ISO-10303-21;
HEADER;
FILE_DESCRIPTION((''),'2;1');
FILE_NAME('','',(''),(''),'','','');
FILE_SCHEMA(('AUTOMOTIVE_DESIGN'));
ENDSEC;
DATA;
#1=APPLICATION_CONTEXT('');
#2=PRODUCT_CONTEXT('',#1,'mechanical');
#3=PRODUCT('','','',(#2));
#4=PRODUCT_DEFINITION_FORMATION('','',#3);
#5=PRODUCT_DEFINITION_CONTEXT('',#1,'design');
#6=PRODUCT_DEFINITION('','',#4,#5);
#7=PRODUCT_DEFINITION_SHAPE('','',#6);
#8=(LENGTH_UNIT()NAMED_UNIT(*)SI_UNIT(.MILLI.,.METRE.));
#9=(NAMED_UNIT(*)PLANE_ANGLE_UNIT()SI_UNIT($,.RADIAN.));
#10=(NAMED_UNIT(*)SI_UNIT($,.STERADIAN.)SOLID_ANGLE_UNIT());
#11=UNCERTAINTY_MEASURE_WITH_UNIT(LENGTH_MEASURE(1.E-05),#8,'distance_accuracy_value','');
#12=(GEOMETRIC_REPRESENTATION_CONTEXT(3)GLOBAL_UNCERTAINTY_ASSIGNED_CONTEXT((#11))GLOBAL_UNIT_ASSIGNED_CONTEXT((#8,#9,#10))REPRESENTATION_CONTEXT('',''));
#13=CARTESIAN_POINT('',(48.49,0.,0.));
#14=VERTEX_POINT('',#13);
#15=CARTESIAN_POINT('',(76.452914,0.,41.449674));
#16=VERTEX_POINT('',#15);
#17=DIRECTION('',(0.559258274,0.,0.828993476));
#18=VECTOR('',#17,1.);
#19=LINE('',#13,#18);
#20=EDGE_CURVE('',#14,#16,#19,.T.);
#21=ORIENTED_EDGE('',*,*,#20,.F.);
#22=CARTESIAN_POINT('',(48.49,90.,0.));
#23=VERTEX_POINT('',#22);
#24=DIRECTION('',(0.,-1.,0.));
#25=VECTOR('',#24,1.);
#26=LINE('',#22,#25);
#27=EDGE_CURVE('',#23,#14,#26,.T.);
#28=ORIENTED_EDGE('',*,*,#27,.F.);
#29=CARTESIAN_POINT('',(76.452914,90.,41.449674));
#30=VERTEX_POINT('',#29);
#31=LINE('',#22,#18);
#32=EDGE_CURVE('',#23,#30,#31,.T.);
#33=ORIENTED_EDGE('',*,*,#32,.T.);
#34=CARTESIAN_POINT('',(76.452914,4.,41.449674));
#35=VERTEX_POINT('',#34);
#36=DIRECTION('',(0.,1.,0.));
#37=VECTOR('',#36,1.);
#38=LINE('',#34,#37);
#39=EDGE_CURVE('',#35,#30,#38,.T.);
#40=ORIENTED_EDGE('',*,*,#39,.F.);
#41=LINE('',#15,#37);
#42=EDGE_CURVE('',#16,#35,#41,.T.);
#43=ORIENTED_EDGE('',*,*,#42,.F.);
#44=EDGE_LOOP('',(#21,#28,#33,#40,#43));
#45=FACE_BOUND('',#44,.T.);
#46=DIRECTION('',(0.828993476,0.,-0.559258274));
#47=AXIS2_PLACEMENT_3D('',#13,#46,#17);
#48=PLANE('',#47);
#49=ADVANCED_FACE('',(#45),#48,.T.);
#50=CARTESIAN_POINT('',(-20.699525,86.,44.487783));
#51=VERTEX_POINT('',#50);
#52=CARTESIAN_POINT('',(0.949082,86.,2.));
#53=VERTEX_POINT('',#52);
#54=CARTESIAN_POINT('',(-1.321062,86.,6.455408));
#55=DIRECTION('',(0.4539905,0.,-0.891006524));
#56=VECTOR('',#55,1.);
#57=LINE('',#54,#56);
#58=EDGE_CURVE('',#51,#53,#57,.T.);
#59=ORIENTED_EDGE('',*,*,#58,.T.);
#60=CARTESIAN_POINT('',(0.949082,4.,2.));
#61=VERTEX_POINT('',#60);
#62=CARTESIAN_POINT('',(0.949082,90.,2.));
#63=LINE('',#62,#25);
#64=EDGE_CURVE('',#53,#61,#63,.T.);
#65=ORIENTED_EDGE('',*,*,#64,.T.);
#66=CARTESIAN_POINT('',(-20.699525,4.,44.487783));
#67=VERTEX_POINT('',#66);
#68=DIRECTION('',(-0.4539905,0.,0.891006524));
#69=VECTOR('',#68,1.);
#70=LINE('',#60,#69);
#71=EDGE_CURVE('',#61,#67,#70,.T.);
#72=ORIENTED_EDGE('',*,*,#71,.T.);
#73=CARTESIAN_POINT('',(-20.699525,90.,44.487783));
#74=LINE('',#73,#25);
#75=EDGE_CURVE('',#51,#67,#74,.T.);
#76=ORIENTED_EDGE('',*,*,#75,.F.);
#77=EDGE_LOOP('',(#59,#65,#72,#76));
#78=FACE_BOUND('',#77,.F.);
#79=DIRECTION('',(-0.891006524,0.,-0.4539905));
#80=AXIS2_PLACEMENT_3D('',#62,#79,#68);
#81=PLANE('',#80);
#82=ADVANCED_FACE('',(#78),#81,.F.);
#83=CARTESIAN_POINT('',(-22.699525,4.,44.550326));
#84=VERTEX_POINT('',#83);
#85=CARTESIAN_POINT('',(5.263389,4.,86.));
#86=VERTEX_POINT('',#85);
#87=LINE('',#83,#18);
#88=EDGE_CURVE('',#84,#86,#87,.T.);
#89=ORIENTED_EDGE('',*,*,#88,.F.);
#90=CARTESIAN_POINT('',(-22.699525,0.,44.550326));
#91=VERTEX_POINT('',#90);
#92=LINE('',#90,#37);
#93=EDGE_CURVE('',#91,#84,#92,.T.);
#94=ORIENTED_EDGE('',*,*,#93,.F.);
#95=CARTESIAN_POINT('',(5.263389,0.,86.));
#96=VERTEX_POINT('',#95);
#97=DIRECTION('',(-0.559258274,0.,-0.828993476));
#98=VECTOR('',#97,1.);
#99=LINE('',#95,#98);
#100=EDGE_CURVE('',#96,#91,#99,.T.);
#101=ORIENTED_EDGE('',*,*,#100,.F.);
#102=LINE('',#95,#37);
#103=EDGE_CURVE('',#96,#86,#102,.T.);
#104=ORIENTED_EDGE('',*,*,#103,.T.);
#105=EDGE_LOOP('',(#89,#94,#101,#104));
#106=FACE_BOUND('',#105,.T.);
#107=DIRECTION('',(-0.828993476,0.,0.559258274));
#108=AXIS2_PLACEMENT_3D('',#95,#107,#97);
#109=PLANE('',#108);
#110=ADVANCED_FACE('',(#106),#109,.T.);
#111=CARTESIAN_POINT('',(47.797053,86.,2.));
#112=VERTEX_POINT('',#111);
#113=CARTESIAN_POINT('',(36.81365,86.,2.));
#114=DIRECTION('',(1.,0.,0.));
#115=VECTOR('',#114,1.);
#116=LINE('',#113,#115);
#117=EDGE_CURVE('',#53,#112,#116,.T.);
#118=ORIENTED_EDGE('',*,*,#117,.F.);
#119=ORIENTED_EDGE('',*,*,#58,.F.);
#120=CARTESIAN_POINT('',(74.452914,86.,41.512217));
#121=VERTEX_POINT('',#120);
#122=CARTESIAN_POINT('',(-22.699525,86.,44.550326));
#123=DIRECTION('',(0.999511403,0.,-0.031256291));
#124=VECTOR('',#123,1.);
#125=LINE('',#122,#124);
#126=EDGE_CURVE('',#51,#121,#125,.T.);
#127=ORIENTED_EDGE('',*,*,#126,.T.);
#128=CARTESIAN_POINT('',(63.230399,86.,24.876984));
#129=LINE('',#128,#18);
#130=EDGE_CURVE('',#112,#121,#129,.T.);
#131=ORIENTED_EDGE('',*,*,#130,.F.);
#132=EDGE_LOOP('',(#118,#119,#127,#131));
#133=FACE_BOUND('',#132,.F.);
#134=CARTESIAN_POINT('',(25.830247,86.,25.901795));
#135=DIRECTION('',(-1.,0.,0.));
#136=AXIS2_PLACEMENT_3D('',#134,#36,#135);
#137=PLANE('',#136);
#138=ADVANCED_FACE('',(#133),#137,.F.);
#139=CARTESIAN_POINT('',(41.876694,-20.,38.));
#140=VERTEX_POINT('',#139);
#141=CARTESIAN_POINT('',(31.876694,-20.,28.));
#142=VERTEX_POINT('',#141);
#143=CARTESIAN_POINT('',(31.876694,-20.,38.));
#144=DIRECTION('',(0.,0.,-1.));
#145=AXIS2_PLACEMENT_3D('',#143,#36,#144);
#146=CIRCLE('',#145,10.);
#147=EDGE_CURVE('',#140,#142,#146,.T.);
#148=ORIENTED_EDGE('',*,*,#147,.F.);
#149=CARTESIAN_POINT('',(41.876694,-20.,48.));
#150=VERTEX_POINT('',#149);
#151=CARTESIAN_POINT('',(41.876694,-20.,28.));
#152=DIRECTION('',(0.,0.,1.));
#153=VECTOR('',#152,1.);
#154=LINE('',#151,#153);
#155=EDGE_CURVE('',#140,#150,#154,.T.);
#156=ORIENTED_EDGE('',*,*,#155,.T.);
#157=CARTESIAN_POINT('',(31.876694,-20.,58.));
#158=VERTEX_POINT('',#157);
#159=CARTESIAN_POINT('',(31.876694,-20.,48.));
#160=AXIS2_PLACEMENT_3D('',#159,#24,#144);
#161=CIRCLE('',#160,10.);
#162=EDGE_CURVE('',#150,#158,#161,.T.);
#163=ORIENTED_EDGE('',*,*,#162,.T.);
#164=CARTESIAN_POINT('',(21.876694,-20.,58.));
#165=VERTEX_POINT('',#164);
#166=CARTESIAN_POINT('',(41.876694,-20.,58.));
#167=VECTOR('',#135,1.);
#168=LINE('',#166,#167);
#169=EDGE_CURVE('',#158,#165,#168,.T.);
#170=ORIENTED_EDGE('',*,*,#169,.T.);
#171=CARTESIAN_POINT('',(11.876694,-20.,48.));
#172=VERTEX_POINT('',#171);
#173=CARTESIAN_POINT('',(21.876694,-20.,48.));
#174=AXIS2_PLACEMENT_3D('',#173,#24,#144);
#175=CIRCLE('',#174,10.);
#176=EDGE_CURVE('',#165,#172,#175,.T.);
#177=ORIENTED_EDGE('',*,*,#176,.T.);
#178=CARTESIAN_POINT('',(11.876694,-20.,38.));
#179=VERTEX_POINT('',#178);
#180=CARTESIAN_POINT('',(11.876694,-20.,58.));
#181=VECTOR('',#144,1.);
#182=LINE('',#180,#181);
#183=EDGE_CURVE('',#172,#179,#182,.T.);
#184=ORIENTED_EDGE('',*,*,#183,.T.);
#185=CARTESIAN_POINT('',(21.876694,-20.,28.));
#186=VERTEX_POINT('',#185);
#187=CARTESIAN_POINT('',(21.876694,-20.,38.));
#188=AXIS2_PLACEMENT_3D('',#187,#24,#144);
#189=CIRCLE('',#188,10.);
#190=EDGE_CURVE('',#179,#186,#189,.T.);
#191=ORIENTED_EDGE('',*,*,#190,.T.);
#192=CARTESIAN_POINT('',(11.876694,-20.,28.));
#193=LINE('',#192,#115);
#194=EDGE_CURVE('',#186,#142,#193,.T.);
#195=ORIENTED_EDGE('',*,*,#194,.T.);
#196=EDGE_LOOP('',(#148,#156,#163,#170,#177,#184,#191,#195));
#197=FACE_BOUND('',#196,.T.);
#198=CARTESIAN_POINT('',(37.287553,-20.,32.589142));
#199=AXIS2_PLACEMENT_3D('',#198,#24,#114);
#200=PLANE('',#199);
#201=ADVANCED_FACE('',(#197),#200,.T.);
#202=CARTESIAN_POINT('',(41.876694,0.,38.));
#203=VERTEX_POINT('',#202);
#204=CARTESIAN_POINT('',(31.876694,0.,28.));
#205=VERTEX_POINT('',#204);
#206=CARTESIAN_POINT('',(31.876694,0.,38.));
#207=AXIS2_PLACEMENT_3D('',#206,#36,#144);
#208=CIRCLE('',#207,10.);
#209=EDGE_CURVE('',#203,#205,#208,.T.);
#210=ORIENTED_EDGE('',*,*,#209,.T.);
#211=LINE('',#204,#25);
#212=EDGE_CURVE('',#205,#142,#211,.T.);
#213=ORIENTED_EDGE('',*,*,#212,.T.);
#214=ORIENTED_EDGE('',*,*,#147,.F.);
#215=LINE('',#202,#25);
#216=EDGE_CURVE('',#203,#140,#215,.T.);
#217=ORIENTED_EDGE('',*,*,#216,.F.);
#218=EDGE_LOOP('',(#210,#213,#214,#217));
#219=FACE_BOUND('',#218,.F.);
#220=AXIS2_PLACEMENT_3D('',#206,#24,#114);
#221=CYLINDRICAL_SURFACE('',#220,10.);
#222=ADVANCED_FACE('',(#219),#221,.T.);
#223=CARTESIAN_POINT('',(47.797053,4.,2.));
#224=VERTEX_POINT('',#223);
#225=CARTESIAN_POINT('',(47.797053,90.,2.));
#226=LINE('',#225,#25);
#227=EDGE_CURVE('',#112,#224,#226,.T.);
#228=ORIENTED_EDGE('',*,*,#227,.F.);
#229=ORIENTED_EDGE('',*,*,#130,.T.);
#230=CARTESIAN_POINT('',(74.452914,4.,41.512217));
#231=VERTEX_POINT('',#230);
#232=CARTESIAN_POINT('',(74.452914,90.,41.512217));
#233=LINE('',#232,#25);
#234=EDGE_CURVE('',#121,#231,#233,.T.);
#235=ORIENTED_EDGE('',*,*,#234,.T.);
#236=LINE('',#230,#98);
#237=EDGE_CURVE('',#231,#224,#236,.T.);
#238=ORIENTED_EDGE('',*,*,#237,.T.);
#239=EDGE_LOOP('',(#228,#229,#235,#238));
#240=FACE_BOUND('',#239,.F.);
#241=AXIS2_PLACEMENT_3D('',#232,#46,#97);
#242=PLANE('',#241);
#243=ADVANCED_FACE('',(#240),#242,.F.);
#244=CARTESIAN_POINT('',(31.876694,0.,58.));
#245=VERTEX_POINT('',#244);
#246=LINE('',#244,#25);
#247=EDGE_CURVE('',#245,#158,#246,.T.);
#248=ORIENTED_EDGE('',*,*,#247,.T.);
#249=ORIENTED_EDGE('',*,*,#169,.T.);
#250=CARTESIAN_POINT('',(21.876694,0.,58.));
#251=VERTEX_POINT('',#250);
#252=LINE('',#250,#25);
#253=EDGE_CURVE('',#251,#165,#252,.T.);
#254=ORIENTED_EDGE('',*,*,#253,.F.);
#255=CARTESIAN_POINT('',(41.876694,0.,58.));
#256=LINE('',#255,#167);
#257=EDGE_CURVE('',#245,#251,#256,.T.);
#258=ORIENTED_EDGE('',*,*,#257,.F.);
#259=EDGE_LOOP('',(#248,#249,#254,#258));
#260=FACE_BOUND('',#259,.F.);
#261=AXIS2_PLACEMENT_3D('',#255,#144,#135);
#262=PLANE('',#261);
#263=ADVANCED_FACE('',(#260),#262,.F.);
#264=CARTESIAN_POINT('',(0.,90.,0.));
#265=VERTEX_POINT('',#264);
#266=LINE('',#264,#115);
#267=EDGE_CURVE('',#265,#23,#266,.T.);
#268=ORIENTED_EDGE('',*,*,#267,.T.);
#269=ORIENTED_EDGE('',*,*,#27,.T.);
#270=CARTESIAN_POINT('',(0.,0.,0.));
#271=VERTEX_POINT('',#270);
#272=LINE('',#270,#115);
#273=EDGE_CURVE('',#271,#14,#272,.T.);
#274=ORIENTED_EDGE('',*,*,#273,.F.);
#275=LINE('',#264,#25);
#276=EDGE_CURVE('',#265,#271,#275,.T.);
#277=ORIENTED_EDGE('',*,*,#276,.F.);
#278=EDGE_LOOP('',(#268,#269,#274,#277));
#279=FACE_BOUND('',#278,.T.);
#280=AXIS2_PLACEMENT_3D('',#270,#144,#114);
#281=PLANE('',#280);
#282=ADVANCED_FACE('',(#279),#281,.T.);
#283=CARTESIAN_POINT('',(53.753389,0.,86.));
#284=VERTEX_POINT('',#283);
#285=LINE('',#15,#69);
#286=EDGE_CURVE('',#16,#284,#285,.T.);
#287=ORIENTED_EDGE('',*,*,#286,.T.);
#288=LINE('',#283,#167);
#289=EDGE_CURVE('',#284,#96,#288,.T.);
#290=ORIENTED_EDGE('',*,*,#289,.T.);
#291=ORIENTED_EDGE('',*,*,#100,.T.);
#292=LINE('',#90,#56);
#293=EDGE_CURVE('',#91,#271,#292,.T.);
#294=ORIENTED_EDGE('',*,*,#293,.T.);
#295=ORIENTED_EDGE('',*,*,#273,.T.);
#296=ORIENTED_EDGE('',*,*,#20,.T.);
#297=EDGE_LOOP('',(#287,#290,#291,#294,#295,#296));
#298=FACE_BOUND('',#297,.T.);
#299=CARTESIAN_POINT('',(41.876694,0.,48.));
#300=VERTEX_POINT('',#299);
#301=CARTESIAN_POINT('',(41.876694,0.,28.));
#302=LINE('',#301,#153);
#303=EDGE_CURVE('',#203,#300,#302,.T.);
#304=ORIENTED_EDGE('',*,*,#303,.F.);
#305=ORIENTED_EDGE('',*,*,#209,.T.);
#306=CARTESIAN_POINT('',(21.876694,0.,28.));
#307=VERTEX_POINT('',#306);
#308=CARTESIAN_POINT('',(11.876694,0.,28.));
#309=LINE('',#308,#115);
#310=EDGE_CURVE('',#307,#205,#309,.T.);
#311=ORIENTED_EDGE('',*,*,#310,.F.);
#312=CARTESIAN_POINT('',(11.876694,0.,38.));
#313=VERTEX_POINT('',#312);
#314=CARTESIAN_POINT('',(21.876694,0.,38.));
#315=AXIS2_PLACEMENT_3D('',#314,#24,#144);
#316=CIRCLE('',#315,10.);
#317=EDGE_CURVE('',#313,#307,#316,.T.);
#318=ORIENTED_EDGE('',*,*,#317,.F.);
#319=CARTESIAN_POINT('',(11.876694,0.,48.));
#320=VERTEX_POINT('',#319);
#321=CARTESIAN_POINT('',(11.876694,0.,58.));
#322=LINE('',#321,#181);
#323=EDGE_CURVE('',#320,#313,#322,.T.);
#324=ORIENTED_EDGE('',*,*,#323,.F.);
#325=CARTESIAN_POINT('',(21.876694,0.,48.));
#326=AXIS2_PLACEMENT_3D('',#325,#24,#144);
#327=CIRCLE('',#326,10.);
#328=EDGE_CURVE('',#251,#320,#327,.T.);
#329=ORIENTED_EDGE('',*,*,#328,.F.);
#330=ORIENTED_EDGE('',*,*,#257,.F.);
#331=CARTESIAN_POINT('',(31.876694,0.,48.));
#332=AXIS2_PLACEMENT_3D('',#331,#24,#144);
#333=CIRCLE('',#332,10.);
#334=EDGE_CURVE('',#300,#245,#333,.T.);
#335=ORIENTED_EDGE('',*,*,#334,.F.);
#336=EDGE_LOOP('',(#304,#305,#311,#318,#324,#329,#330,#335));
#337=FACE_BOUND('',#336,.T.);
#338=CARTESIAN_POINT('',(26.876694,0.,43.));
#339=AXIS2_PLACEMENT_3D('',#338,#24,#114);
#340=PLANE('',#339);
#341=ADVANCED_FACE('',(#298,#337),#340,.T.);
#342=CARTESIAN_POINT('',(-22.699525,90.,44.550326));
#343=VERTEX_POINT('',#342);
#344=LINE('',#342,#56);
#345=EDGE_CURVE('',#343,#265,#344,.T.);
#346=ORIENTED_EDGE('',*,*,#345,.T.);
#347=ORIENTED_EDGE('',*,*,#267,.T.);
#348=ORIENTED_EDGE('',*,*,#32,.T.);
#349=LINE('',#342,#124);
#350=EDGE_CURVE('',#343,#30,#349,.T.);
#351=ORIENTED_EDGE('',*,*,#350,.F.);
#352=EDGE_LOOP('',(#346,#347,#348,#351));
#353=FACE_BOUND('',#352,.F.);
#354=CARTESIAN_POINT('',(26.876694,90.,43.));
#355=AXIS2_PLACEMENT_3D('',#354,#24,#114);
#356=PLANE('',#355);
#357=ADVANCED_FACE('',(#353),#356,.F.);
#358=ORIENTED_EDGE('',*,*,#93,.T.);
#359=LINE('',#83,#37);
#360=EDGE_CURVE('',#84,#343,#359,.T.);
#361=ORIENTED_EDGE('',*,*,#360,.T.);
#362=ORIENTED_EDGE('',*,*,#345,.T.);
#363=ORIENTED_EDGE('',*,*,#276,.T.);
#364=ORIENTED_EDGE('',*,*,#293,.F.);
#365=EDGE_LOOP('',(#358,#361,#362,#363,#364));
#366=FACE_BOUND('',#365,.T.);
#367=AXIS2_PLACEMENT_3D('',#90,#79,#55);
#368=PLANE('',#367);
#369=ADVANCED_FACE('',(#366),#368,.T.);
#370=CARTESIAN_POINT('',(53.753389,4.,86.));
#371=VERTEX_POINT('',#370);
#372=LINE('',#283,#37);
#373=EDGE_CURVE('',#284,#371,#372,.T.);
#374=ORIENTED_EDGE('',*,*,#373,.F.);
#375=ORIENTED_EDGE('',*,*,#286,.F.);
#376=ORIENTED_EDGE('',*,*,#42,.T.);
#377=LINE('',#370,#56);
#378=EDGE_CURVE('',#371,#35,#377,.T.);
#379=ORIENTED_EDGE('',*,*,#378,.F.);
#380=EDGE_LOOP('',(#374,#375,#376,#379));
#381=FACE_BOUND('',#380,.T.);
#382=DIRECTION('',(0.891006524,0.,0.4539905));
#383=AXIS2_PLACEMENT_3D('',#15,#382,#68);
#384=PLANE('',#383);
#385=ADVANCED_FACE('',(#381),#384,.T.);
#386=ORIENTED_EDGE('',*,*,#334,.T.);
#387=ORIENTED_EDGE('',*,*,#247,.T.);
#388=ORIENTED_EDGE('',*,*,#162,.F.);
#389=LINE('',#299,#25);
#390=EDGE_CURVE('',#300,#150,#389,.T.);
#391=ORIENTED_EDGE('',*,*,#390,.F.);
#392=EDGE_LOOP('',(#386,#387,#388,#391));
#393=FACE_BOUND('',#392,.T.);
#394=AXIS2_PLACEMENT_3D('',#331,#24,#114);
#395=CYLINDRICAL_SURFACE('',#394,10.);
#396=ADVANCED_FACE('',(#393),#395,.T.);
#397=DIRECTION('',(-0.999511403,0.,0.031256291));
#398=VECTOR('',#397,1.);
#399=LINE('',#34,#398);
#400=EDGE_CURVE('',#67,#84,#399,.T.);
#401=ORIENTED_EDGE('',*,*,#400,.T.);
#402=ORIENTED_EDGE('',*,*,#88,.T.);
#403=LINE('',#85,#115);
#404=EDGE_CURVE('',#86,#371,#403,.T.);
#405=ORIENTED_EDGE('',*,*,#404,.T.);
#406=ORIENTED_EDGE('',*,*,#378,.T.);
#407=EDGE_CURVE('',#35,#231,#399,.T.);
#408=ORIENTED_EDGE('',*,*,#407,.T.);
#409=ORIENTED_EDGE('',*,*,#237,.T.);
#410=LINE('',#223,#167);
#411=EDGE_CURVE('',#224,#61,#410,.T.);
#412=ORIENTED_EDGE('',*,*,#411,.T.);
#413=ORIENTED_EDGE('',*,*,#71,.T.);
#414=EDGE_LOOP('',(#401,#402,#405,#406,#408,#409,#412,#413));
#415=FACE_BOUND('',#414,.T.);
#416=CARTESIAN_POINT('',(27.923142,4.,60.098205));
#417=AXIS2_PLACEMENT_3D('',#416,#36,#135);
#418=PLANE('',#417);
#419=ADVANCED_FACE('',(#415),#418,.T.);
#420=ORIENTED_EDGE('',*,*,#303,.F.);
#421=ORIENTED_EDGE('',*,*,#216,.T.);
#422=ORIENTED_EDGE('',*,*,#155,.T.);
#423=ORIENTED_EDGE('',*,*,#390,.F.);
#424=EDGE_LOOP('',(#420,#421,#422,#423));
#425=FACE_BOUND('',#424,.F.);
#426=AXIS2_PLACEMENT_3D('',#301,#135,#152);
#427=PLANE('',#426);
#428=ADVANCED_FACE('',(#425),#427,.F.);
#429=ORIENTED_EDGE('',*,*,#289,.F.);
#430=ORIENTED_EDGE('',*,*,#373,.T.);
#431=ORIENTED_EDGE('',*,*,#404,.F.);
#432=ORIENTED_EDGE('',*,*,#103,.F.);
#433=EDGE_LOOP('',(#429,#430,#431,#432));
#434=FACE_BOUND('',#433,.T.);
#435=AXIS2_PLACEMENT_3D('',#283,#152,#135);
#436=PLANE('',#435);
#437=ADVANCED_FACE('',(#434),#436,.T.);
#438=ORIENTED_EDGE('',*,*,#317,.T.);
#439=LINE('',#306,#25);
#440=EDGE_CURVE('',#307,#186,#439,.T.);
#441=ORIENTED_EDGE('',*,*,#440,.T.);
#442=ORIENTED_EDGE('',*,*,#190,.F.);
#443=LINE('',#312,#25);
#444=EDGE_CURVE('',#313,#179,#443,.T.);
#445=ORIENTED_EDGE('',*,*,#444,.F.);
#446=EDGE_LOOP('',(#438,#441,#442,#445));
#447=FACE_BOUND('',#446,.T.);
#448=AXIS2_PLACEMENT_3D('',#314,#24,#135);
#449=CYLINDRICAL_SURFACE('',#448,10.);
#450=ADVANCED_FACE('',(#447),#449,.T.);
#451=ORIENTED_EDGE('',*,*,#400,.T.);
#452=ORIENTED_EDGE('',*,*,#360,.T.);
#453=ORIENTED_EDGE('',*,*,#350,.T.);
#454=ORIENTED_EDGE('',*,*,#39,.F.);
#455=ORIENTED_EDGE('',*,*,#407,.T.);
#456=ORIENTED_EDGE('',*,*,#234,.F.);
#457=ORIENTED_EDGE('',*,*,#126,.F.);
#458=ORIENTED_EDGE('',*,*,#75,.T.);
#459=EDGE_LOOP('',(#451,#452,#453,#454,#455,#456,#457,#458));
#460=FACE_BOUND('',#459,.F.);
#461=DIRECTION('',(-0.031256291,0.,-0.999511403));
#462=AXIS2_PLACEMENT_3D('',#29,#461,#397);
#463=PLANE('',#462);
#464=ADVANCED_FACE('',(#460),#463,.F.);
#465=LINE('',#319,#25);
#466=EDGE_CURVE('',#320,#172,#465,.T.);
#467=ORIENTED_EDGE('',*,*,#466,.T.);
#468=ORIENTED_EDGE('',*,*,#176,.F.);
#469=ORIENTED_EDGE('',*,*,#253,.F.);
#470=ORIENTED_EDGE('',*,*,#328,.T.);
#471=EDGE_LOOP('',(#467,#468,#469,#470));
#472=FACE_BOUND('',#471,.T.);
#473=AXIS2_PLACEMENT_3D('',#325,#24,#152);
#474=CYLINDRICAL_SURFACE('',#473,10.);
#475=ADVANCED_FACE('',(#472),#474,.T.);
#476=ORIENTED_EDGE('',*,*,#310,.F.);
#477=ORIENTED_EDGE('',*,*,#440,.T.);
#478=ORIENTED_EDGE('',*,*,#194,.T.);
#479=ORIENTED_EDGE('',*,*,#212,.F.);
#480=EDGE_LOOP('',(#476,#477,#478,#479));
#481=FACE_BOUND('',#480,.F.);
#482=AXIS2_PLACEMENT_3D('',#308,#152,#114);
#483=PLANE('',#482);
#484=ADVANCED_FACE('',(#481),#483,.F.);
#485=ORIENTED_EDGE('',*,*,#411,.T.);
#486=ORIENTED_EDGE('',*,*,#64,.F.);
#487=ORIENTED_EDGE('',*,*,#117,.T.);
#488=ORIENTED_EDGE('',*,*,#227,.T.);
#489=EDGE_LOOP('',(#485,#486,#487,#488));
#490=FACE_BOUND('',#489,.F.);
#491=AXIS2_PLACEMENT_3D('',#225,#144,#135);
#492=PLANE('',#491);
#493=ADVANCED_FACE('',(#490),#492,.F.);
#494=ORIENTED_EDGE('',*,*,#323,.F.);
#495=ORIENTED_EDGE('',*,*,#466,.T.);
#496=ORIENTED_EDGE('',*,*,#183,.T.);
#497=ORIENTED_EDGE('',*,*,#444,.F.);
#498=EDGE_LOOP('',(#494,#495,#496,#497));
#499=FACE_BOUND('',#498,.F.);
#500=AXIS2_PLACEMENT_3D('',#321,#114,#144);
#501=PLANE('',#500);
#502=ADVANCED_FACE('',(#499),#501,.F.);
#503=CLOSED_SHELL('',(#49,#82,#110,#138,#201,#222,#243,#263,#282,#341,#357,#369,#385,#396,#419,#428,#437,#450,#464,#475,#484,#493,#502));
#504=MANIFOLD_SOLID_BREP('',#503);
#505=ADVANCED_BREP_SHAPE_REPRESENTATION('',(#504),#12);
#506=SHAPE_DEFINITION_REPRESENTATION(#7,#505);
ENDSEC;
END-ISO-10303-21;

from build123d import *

# Parameters (mm, degrees)
F1_DEPTH = 90
F3_DEPTH = 86
F5_DEPTH = 86
F7_DEPTH = 4
F9_DEPTH = 20
F10_R    = 10


with BuildPart() as f1:
    # F0 (on Front) → F1 (new body)
    with BuildSketch(Plane.XZ):
        Polygon((-22.699524987, 44.5503262094), (0, 0), (48.49, 0), (76.4529137011, 41.4496737906), (53.7533887141, 86), (5.2633887141, 86), align=None)
    extrude(amount=-F1_DEPTH)

    # F2 (on face) → F3 (cut)
    with BuildSketch(Plane(origin=(0, 90, 0), x_dir=(-1, 0, 0), z_dir=(0, 1, 0))):
        Polygon((-53.7533887141, 86), (-76.4529137011, 41.4496737906), (22.699524987, 44.5503262094), (-5.2633887141, 86), align=None)
    extrude(amount=-F3_DEPTH, mode=Mode.SUBTRACT)

    # F4 (on face) → F5 (cut)
    with BuildSketch(Plane(origin=(0, 90, 0), x_dir=(-1, 0, 0), z_dir=(0, 1, 0))):
        Polygon((-74.4529137011, 41.5122169304), (-47.7970534464, 2), (-0.9490817796, 2), (20.699524987, 44.4877830696), align=None)
    extrude(amount=-F5_DEPTH, mode=Mode.SUBTRACT)

    # F6 (on face) → F7 (join)
    with BuildSketch(Plane(origin=(0, 90, 0), x_dir=(-1, 0, 0), z_dir=(0, 1, 0))):
        Polygon((22.699524987, 44.5503262094), (-76.4529137011, 41.4496737906), (-48.49, 0), (0, 0), align=None)
    extrude(amount=-F7_DEPTH)

    # F8 (on face) → F9 (join)
    with BuildSketch(Plane.XZ):
        with BuildLine():
            Line((41.8766943571, 28), (41.8766943571, 43))
            ThreePointArc((41.8766943571, 43), (37.4832960749, 32.3933982822), (26.8766943571, 28))
            Line((26.8766943571, 28), (41.8766943571, 28))
        make_face()
        with BuildLine():
            ThreePointArc((26.8766943571, 58), (37.4832960749, 53.6066017178), (41.8766943571, 43))
            Line((41.8766943571, 43), (41.8766943571, 58))
            Line((41.8766943571, 58), (26.8766943571, 58))
        make_face()
        with BuildLine():
            ThreePointArc((11.8766943571, 43), (16.2700926393, 53.6066017178), (26.8766943571, 58))
            Line((26.8766943571, 58), (11.8766943571, 58))
            Line((11.8766943571, 58), (11.8766943571, 43))
        make_face()
        with BuildLine():
            ThreePointArc((26.8766943571, 28), (37.4832960749, 32.3933982822), (41.8766943571, 43))
            ThreePointArc((41.8766943571, 43), (37.4832960749, 53.6066017178), (26.8766943571, 58))
            ThreePointArc((26.8766943571, 58), (16.2700926393, 53.6066017178), (11.8766943571, 43))
            ThreePointArc((11.8766943571, 43), (16.2700926393, 32.3933982822), (26.8766943571, 28))
        make_face()
        with BuildLine():
            Line((11.8766943571, 28), (26.8766943571, 28))
            ThreePointArc((26.8766943571, 28), (16.2700926393, 32.3933982822), (11.8766943571, 43))
            Line((11.8766943571, 43), (11.8766943571, 28))
        make_face()
    extrude(amount=F9_DEPTH)

    # F10
    f10_edges = [f1.edges().sort_by_distance(p)[0] for p in [
        (11.876694, -10, 58),
        (41.876694, -10, 58),
        (11.876694, -10, 28),
        (41.876694, -10, 28),
    ]]
    fillet(f10_edges, radius=F10_R)


solid = f1.part
